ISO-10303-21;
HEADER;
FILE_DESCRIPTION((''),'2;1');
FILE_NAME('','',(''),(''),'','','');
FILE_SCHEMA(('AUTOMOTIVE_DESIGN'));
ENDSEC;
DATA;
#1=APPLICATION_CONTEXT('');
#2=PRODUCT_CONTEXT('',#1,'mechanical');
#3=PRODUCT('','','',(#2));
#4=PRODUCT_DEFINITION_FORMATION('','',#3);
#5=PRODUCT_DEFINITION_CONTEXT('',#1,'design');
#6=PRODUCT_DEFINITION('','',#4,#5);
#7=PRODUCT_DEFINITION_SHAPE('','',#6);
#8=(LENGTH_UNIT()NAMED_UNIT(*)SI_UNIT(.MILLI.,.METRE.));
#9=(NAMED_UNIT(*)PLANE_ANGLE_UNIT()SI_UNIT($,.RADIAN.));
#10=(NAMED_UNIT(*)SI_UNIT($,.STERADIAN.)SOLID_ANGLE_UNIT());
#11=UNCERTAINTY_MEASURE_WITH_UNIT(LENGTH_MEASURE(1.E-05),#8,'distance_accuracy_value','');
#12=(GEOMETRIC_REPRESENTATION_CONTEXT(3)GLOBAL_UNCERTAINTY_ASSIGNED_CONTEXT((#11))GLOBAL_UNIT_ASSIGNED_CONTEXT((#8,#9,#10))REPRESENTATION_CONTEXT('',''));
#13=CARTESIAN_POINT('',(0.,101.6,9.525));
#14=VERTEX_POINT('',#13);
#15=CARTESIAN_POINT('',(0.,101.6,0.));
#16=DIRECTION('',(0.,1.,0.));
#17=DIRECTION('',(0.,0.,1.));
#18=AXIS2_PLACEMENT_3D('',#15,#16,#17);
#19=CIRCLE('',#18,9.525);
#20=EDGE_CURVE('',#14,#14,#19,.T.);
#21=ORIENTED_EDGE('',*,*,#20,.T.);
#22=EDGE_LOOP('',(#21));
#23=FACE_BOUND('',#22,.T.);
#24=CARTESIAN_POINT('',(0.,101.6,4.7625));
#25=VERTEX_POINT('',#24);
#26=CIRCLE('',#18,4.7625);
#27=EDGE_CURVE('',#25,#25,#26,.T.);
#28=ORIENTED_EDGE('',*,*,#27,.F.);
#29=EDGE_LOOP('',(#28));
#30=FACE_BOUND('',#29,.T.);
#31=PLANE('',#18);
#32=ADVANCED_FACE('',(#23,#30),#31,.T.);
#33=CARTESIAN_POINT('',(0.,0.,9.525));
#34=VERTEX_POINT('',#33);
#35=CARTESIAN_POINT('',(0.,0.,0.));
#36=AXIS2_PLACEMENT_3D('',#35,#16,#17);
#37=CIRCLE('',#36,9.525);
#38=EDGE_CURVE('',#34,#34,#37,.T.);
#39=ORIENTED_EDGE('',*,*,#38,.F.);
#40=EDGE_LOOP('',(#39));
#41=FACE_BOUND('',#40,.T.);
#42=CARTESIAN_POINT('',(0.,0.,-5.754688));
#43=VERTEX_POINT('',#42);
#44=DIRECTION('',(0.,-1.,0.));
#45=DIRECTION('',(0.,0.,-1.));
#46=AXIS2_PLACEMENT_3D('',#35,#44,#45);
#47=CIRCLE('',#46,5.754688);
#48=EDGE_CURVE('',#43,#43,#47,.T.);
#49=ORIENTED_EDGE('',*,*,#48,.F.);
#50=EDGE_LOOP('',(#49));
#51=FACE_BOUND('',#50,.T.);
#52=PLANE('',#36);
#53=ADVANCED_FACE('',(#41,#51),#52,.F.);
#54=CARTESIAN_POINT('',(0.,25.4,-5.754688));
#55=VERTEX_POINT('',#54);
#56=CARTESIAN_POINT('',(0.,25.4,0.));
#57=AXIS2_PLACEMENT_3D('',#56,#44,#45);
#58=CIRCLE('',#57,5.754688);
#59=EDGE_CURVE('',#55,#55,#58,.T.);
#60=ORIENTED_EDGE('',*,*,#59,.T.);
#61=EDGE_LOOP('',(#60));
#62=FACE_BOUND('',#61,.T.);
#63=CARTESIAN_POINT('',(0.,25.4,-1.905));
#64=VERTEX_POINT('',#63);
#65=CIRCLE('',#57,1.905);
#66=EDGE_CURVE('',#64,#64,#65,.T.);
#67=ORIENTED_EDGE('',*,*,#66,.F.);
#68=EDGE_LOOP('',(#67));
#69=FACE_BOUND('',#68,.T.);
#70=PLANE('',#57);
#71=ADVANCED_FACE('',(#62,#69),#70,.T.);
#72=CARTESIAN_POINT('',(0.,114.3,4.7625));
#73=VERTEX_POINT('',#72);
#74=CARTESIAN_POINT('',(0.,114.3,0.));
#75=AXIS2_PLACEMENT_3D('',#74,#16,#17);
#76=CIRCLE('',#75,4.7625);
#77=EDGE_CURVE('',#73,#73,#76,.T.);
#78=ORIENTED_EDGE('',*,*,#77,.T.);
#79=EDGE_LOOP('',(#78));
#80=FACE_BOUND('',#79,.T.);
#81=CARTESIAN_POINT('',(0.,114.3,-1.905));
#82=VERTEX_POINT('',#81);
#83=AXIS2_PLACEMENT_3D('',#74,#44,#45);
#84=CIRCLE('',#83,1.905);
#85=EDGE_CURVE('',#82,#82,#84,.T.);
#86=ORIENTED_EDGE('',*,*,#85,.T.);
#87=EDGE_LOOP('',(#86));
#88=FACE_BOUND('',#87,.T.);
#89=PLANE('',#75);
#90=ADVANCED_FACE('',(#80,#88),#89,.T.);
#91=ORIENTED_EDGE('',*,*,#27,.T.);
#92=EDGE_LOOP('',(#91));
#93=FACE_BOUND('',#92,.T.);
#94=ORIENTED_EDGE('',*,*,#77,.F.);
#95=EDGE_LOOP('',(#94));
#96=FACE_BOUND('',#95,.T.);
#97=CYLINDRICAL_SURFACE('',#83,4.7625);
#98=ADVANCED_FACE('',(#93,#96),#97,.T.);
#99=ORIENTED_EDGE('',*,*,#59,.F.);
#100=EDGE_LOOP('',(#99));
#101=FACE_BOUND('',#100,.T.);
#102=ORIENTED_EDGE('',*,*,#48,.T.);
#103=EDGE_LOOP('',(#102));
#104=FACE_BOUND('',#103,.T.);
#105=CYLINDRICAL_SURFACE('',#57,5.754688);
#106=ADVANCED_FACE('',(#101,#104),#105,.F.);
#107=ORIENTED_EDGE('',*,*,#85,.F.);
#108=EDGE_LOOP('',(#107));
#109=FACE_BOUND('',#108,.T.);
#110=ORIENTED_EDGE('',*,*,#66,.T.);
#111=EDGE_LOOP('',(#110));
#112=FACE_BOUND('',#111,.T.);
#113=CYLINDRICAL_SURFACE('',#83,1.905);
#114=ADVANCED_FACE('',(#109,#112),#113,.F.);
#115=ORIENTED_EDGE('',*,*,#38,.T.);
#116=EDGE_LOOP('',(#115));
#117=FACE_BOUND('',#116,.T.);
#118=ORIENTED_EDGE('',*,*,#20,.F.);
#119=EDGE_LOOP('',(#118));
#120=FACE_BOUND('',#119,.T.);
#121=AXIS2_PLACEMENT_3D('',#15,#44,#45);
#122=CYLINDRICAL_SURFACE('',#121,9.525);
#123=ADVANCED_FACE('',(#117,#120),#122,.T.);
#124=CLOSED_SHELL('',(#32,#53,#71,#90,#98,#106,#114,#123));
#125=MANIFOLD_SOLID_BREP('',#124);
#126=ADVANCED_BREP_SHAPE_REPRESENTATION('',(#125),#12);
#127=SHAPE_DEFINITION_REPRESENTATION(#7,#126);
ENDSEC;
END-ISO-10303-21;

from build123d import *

# Parameters (mm, degrees)
SKETCH1_R           = 9.525
BOSS_EXTRUDE2_DEPTH = 101.6
SKETCH3_R           = 4.7625
BOSS_EXTRUDE3_DEPTH = 12.7
SKETCH14_R          = 5.7546875
CUT_EXTRUDE4_DEPTH  = 25.4
SKETCH17_R          = 1.905
CUT_EXTRUDE5_DEPTH  = 89.9


with BuildPart() as part:
    # Sketch1 → Boss-Extrude2 (new body)
    with BuildSketch(Plane(origin=(0, 0, 0), x_dir=(1, 0, 0), z_dir=(0, 1, 0))):
        Circle(SKETCH1_R)
    extrude(amount=BOSS_EXTRUDE2_DEPTH)

    # Sketch3 → Boss-Extrude3 (add)
    with BuildSketch(Plane(origin=(0, 101.6, 0), x_dir=(1, 0, 0), z_dir=(0, 1, 0))):
        Circle(SKETCH3_R)
    extrude(amount=BOSS_EXTRUDE3_DEPTH)

    # Sketch14 → Cut-Extrude4 (cut)
    with BuildSketch(Plane.XZ):
        Circle(SKETCH14_R)
    extrude(amount=-CUT_EXTRUDE4_DEPTH, mode=Mode.SUBTRACT)

    # Sketch17 → Cut-Extrude5 (cut, through all)
    with BuildSketch(Plane.XZ.offset(-25.4)):
        Circle(SKETCH17_R)
    extrude(amount=-CUT_EXTRUDE5_DEPTH, mode=Mode.SUBTRACT)


solid = part.part
